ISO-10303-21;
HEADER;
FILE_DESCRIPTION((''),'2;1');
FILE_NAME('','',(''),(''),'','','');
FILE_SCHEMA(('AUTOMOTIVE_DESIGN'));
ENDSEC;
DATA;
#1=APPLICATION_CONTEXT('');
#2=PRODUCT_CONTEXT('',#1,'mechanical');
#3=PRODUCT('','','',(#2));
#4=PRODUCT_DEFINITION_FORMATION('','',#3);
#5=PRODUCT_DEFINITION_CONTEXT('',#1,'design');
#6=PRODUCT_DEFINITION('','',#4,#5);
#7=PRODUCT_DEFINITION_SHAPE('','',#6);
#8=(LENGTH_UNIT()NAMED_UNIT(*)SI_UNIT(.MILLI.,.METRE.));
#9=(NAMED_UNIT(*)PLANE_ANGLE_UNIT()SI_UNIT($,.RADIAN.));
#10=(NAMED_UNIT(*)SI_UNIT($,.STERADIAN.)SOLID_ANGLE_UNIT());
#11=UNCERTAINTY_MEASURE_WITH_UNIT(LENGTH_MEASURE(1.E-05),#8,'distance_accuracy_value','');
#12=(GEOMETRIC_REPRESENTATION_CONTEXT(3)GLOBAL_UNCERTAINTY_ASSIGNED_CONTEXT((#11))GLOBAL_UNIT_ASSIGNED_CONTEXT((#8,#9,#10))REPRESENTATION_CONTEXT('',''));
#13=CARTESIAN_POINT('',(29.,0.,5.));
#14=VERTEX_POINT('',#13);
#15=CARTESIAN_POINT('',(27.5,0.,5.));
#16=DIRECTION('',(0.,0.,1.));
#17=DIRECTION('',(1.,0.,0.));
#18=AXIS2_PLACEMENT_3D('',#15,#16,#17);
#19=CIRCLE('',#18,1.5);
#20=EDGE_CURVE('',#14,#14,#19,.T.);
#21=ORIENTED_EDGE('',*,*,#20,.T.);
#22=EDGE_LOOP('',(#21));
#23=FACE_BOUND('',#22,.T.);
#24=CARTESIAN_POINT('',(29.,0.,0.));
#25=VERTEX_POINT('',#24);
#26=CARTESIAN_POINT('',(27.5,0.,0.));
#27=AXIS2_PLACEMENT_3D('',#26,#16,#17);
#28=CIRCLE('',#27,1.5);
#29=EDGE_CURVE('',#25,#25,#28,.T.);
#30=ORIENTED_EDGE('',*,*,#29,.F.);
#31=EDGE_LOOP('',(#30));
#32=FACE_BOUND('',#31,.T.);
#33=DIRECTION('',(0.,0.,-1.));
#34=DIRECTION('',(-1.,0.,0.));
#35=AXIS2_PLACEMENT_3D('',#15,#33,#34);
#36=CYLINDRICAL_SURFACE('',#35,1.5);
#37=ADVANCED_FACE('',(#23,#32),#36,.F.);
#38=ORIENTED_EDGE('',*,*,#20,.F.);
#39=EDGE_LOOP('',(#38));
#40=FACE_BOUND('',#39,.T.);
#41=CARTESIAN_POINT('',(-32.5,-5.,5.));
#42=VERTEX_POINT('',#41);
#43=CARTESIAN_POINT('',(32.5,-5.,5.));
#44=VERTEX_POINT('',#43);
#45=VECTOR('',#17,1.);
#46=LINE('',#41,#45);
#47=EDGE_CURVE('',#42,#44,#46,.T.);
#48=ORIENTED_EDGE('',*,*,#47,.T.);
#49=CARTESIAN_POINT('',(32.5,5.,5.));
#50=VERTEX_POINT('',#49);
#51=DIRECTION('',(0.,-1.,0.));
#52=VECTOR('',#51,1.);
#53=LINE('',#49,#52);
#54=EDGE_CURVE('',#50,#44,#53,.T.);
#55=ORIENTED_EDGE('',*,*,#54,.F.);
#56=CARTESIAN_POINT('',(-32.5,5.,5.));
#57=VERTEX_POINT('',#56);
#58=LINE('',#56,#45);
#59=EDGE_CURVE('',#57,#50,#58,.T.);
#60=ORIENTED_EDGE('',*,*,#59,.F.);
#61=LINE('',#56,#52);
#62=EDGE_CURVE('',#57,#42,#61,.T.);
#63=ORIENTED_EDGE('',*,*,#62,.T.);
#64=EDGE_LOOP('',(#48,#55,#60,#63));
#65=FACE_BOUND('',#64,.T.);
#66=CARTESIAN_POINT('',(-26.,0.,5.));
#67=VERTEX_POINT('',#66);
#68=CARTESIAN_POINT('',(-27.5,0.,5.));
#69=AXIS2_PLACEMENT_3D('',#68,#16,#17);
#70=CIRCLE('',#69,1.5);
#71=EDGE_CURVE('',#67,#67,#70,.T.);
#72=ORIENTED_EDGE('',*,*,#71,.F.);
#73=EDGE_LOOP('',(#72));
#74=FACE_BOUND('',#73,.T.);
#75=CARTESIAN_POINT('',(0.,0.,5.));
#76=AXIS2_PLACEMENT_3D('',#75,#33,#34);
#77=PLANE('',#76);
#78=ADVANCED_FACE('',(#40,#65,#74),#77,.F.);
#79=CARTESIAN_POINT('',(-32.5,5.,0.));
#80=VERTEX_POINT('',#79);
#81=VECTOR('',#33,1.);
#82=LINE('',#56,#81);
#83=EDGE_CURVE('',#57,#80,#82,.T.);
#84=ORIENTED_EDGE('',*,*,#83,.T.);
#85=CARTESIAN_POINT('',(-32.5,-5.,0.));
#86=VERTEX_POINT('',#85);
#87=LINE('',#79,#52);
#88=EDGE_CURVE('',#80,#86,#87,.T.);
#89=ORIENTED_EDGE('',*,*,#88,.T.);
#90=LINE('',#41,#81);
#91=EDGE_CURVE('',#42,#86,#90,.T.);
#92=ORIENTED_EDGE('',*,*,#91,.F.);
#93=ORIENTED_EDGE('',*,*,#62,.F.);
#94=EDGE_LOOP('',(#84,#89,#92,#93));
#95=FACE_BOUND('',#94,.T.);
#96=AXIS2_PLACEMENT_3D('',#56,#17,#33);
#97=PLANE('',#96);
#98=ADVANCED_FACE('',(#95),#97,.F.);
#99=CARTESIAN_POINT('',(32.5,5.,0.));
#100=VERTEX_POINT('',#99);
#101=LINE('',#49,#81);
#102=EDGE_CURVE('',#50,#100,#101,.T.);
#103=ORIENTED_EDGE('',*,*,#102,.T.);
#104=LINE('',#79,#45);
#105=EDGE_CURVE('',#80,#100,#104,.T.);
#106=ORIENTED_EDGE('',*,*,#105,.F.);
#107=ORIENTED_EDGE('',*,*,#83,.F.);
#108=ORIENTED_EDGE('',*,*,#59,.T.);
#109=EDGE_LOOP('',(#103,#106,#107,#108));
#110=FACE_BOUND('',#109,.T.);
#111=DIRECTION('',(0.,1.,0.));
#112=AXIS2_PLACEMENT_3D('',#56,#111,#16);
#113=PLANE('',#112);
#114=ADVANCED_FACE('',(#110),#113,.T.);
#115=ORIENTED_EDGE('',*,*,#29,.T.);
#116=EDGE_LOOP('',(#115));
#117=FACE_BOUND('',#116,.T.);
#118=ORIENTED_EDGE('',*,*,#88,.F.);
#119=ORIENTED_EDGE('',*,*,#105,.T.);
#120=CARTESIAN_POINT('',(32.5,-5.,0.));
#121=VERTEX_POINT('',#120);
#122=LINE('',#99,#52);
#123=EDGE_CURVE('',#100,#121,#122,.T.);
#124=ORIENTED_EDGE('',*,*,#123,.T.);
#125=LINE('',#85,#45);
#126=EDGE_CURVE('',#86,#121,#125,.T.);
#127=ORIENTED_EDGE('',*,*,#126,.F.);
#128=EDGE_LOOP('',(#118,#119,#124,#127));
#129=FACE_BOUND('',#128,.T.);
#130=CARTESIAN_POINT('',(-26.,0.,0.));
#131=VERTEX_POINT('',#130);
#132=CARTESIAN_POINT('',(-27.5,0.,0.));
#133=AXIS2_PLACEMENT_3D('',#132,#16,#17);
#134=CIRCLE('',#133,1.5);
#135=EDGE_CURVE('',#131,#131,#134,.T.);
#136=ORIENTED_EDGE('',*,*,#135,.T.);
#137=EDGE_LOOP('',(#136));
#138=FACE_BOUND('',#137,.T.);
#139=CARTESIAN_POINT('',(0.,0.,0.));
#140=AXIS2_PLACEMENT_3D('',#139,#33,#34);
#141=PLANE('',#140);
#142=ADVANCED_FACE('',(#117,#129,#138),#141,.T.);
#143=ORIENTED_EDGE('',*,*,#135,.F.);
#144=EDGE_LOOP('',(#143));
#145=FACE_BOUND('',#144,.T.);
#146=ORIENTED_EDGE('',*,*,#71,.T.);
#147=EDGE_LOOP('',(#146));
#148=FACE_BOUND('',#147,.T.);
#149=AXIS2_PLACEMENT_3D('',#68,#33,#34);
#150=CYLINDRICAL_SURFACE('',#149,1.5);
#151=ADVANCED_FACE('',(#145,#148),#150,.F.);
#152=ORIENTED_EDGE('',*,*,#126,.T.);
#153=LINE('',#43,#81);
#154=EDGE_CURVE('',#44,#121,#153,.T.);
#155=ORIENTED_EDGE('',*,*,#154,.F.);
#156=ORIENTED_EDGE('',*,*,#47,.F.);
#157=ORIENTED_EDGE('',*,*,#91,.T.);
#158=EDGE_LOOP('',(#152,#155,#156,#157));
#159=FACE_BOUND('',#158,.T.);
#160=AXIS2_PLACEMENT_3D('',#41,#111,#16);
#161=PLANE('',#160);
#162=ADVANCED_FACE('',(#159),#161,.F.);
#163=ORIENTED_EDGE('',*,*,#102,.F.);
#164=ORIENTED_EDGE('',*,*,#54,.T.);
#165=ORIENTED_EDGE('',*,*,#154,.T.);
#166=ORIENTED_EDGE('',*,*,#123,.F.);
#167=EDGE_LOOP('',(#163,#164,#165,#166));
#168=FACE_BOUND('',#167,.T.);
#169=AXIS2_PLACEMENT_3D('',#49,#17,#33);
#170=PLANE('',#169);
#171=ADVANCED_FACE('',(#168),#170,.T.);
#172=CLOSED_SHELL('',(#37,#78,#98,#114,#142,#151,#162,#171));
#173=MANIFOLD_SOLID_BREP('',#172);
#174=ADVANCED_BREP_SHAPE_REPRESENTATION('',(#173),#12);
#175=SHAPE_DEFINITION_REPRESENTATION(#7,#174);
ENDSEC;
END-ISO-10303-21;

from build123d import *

# Parameters (mm, degrees)
SKETCH1_W           = 65
SKETCH1_H           = 10
SKETCH1_R           = 1.5
BOSS_EXTRUDE1_DEPTH = 5


with BuildPart() as part:
    # Sketch1 → Boss-Extrude1 (new body)
    with BuildSketch(Plane.XY):
        Rectangle(SKETCH1_W, SKETCH1_H)
        with Locations((-27.5, 0)):
            Circle(SKETCH1_R, mode=Mode.SUBTRACT)
        with Locations((27.5, 0)):
            Circle(SKETCH1_R, mode=Mode.SUBTRACT)
    extrude(amount=BOSS_EXTRUDE1_DEPTH)


solid = part.part
